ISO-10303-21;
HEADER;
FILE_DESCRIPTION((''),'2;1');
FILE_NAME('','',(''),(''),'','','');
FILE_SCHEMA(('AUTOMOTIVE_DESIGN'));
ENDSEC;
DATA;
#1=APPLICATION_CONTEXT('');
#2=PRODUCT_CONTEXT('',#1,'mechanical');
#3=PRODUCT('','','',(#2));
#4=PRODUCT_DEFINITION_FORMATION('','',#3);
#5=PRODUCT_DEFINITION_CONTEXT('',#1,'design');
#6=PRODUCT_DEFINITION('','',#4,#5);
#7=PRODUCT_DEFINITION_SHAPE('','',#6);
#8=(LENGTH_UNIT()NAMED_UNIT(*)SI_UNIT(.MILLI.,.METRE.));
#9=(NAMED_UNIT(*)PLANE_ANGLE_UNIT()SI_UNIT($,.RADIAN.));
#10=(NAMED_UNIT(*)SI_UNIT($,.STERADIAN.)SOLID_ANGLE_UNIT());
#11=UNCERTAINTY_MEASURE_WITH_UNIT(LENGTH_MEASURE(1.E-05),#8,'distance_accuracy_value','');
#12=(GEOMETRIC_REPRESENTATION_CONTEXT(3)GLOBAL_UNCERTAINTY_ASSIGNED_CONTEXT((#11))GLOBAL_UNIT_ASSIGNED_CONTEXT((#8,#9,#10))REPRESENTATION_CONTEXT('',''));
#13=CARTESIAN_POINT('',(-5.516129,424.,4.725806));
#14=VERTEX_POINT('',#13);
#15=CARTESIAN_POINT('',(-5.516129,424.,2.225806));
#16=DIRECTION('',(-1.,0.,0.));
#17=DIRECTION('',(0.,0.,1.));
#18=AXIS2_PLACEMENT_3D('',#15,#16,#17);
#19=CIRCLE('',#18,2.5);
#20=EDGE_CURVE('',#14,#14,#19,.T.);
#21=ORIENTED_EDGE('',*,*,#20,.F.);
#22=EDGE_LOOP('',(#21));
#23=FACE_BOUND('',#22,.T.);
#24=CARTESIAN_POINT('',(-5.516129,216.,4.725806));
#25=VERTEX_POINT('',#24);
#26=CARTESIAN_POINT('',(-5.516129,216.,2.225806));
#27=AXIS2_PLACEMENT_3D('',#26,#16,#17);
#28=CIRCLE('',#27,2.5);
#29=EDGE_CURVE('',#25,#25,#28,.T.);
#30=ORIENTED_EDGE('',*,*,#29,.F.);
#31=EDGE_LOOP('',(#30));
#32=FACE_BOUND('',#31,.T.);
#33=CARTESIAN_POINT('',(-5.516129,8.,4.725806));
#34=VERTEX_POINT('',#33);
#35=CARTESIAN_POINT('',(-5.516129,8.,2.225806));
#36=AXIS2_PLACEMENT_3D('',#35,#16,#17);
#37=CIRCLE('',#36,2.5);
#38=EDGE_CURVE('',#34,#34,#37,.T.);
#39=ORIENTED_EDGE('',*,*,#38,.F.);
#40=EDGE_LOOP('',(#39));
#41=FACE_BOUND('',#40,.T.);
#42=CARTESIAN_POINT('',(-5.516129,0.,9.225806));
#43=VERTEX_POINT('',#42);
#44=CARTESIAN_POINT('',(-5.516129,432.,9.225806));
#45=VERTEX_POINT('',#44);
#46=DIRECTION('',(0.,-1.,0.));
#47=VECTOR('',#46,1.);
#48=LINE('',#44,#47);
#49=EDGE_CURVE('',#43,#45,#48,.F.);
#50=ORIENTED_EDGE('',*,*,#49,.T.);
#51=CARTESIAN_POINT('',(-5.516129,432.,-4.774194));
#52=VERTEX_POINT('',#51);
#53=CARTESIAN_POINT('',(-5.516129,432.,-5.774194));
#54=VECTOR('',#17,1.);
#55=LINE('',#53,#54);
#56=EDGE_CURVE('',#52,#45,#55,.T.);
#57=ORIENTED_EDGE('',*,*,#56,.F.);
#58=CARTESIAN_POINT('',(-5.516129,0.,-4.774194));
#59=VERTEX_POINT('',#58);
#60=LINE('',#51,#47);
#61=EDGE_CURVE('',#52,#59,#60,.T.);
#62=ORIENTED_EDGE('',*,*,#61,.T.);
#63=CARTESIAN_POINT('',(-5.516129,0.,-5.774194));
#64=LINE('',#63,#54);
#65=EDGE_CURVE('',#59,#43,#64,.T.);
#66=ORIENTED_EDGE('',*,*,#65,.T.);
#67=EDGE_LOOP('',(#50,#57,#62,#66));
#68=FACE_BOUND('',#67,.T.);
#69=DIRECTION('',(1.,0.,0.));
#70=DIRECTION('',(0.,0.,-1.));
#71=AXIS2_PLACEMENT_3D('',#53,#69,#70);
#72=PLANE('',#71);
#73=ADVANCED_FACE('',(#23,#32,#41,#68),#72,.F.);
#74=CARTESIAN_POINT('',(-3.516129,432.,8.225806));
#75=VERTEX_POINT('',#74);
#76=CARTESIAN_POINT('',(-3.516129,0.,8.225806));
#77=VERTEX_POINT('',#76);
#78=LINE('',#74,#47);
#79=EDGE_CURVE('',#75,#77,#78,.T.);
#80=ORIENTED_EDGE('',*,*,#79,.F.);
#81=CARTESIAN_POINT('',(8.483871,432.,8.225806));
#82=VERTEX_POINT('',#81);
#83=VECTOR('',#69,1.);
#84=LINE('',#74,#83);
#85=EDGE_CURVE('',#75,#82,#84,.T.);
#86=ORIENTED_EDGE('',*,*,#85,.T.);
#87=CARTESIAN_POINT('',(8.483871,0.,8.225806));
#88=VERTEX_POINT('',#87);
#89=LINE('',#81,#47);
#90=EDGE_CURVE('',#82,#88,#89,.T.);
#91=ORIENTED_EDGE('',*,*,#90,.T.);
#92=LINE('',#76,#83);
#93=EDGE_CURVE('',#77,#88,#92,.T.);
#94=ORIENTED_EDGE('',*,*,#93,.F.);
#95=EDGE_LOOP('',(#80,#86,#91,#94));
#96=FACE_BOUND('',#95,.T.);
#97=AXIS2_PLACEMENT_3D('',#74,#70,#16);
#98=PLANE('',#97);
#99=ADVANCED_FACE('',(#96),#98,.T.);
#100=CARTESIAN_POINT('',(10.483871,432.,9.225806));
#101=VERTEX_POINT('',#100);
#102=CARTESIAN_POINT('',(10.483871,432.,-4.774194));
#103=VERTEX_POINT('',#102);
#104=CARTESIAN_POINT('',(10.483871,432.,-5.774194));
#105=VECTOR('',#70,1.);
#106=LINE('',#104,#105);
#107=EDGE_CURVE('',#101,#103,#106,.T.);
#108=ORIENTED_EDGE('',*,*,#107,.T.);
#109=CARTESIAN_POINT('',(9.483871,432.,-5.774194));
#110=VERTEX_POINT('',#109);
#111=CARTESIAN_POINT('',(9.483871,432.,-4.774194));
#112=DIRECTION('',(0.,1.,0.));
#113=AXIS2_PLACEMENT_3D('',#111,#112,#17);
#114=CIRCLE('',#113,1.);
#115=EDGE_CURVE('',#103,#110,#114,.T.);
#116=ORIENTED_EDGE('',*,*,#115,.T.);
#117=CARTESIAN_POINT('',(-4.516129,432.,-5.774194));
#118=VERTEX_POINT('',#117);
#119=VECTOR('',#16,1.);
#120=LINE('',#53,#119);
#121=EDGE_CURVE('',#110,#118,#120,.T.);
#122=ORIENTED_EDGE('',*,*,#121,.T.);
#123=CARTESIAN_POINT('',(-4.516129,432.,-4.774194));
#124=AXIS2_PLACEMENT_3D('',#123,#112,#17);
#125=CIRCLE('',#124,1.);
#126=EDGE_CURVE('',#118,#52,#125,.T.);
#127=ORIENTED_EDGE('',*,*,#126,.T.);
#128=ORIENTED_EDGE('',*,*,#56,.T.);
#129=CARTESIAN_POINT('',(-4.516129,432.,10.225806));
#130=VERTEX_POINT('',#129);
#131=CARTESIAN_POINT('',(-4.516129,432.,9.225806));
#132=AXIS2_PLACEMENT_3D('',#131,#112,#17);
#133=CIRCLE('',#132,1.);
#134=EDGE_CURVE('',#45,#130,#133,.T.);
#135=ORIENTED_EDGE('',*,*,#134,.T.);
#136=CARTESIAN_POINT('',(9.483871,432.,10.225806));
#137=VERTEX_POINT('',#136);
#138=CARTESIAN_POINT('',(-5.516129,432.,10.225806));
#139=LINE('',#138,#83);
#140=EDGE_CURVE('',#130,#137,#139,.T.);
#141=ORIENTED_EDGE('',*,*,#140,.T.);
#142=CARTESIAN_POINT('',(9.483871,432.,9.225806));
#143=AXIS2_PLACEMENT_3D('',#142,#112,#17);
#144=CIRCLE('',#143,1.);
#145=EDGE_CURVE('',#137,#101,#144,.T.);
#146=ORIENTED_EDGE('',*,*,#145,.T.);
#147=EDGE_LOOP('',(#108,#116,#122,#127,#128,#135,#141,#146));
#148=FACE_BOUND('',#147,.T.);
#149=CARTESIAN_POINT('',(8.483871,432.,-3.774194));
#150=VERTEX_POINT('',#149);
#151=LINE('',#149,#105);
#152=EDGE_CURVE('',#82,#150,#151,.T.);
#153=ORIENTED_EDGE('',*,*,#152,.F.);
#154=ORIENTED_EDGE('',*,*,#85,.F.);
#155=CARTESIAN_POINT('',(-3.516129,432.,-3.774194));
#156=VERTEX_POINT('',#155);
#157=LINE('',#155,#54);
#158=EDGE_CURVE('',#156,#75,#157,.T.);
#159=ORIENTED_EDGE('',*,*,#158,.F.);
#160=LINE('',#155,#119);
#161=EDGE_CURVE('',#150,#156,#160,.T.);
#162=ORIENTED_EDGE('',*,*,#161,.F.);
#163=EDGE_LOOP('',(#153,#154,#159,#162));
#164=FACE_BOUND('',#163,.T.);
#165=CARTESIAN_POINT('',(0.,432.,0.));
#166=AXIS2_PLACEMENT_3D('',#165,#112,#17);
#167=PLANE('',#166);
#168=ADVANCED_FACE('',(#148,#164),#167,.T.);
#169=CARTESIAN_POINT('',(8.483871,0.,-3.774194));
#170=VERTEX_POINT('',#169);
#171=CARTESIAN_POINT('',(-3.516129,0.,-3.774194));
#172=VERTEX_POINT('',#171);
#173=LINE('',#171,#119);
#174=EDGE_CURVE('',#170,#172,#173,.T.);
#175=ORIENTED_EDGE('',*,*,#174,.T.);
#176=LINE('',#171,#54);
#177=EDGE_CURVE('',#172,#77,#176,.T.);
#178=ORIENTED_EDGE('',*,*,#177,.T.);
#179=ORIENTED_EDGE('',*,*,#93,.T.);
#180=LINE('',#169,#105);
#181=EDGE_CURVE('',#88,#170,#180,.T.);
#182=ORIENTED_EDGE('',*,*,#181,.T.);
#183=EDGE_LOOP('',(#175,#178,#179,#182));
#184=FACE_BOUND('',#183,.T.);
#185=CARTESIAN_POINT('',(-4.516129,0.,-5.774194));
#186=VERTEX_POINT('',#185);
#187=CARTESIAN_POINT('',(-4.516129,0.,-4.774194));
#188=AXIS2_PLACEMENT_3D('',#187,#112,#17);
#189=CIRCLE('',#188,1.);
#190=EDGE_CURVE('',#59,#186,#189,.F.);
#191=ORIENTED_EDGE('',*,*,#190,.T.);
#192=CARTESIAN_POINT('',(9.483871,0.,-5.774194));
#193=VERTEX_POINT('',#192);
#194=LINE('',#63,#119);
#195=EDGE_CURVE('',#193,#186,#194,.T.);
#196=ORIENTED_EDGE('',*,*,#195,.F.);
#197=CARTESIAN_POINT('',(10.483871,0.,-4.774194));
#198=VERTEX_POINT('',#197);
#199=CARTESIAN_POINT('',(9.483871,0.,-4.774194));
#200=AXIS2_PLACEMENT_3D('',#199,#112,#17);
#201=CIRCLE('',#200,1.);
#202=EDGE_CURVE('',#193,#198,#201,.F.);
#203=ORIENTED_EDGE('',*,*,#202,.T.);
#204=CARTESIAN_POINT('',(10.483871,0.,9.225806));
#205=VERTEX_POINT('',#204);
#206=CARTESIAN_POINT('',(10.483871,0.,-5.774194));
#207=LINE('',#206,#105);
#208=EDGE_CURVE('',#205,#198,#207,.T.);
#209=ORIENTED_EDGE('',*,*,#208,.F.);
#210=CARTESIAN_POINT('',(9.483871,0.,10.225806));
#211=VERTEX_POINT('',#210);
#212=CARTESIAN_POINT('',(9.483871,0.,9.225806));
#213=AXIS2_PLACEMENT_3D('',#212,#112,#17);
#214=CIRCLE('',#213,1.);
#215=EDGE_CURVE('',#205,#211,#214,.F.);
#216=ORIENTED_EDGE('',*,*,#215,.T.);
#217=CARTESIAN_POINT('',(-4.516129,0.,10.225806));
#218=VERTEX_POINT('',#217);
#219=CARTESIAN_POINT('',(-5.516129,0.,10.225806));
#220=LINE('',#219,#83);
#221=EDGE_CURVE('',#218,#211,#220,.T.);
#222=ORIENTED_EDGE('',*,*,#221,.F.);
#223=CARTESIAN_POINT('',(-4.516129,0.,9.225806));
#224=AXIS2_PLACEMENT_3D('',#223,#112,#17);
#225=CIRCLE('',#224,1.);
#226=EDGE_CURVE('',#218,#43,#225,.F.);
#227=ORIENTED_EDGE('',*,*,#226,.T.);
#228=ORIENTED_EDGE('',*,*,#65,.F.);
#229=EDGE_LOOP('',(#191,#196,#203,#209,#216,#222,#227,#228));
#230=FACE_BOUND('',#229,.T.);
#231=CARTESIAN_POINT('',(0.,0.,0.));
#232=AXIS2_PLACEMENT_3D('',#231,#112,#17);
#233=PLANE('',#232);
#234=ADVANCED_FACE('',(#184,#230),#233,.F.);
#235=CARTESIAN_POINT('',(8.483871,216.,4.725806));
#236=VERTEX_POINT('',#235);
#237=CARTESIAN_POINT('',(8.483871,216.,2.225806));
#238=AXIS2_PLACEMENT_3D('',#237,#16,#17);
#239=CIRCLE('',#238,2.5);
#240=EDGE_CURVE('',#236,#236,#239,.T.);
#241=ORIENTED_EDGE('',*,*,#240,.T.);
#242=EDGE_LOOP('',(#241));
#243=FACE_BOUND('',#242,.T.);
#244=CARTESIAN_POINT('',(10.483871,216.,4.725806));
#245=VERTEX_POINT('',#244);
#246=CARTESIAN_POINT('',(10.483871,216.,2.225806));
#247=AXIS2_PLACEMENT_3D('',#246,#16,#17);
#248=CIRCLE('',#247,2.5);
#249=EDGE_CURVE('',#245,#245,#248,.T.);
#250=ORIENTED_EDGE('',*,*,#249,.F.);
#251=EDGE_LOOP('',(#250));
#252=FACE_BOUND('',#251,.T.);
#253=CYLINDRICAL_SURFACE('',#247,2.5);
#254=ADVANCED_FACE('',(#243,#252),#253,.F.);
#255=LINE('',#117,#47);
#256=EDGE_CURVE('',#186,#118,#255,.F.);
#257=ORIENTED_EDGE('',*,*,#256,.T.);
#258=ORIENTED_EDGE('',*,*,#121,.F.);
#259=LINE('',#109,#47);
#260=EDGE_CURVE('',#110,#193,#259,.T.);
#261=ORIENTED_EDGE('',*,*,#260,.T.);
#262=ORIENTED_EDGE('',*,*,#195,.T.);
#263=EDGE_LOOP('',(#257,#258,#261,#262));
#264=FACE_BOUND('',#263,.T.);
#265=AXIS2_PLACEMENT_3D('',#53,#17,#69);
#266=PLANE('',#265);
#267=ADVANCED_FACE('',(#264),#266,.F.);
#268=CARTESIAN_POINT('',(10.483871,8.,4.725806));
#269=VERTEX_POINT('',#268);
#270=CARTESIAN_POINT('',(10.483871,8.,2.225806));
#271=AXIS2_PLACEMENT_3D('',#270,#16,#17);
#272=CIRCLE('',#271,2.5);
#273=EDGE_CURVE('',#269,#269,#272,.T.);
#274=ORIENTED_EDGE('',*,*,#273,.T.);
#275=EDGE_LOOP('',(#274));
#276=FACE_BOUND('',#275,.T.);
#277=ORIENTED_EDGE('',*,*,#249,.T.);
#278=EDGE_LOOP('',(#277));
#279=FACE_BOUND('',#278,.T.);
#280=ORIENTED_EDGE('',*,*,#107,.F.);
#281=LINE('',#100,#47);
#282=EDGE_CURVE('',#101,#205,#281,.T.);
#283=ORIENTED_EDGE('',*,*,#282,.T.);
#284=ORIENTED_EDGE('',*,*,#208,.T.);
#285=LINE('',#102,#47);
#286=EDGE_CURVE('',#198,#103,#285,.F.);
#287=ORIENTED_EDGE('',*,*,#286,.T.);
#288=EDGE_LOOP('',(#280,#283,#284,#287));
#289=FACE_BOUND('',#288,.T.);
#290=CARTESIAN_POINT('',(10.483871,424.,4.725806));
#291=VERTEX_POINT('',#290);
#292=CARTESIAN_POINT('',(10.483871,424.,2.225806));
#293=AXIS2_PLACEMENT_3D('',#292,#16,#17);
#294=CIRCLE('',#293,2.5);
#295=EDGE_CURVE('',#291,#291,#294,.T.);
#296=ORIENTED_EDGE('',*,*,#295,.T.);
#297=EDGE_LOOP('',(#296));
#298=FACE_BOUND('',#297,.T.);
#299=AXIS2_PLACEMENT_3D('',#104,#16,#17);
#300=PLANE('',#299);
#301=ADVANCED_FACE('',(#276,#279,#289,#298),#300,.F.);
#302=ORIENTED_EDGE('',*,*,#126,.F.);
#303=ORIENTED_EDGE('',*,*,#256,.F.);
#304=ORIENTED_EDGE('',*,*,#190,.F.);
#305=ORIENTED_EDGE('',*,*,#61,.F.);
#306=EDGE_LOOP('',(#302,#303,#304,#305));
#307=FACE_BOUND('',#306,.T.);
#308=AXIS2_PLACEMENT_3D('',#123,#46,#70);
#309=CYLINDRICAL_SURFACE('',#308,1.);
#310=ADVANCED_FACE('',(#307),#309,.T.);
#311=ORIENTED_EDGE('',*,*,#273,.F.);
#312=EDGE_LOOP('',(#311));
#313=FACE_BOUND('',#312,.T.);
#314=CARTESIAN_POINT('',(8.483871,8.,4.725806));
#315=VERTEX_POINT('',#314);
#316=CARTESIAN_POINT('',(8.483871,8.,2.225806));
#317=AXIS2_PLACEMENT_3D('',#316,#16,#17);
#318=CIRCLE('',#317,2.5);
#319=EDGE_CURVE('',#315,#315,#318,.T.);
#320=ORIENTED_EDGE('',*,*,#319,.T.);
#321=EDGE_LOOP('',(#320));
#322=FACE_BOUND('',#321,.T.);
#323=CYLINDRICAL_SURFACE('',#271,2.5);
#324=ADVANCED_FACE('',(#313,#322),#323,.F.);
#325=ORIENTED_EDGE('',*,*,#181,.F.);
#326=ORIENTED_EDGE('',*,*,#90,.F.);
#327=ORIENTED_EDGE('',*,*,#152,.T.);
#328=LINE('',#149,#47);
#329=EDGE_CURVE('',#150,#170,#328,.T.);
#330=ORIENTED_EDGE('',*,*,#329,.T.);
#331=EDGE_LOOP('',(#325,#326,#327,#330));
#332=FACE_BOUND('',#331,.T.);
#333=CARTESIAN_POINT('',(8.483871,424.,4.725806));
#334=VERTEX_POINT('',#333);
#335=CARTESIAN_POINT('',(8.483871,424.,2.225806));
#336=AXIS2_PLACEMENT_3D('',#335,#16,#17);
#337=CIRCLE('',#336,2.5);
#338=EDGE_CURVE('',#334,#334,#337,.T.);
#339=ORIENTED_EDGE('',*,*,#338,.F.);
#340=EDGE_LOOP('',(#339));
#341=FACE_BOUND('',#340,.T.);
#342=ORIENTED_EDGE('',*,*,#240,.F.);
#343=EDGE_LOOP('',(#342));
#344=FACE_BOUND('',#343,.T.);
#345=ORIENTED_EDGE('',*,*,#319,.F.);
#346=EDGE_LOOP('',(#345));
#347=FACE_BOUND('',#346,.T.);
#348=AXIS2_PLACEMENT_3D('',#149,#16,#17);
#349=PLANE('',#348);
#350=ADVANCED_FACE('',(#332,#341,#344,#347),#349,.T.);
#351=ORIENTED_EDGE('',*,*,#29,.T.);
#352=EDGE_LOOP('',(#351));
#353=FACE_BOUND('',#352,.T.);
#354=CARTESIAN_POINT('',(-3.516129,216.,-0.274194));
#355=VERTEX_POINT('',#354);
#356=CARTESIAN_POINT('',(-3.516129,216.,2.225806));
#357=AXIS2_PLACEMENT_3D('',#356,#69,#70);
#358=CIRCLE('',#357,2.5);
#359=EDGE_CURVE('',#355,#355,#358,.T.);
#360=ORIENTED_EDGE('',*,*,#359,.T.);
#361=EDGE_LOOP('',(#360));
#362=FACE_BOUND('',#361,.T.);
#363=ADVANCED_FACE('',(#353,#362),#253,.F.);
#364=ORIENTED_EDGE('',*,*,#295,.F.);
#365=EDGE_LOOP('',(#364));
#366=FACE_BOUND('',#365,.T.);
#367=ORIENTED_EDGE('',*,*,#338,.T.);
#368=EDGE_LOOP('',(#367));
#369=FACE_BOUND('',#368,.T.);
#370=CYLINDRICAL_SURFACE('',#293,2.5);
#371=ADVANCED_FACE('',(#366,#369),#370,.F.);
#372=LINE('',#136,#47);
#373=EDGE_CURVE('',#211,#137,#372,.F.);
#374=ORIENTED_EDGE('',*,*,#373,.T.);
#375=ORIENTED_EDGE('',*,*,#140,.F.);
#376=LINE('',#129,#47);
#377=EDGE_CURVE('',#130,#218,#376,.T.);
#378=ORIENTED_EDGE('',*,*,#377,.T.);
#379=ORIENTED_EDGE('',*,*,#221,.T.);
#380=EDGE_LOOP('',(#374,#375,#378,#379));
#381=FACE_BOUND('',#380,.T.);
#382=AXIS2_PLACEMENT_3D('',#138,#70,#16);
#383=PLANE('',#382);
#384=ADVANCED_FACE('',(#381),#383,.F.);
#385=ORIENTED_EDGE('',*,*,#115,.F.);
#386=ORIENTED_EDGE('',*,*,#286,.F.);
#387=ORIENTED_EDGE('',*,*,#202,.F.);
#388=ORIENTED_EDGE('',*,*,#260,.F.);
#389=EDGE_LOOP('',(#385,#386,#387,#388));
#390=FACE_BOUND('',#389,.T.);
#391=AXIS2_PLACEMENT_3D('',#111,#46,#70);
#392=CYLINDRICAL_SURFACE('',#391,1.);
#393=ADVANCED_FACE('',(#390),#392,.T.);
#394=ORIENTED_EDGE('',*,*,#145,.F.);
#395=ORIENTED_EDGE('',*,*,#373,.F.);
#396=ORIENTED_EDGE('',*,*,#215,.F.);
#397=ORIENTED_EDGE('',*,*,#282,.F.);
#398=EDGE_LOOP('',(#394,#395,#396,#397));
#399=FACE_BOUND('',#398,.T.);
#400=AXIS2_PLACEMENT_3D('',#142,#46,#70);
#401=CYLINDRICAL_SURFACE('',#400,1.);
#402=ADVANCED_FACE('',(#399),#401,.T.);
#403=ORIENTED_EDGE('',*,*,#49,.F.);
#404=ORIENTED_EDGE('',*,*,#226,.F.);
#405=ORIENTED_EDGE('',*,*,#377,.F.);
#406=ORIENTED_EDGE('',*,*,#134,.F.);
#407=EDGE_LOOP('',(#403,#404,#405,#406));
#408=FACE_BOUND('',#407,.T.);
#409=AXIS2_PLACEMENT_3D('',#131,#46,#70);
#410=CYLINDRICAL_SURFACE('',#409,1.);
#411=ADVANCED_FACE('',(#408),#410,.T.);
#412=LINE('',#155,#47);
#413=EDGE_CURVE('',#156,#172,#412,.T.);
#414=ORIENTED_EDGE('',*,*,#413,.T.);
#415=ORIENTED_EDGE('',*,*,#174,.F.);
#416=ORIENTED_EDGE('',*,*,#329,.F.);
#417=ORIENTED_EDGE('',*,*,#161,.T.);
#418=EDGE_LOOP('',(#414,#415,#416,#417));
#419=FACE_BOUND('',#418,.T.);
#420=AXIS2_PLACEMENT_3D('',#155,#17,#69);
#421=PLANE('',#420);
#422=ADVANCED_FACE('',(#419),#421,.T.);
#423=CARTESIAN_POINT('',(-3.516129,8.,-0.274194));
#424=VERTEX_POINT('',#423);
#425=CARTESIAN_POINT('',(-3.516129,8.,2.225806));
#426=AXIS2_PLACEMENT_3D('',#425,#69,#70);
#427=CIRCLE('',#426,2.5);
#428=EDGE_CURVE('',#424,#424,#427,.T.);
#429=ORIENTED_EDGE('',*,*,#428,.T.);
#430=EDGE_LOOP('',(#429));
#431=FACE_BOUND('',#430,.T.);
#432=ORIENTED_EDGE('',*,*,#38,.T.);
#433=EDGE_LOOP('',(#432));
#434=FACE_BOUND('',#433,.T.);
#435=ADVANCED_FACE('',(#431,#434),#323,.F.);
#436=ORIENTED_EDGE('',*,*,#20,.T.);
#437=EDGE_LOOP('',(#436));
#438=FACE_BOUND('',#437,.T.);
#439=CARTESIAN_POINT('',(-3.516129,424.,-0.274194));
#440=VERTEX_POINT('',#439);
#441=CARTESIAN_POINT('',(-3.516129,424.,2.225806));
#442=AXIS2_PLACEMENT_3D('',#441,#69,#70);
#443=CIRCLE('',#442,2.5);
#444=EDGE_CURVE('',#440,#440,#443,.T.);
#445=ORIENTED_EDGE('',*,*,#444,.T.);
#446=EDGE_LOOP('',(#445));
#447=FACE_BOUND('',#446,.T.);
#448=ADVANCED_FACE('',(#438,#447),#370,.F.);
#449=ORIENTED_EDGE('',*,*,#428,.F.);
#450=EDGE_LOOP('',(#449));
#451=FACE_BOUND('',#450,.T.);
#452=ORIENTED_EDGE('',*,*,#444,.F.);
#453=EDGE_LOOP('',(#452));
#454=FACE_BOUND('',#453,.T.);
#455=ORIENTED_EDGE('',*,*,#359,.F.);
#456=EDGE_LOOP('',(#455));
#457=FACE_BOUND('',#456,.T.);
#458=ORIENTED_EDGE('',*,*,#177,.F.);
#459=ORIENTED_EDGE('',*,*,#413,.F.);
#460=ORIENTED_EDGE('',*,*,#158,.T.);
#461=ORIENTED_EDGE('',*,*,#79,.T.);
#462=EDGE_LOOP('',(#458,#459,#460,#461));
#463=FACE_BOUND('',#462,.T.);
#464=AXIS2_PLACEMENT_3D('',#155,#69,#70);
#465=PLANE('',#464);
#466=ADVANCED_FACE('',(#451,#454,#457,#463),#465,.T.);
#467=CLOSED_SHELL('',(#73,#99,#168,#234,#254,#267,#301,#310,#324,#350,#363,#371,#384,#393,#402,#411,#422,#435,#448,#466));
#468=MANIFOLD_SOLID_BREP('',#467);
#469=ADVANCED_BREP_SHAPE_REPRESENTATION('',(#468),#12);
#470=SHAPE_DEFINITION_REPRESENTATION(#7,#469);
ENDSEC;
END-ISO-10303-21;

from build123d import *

# Parameters (mm, degrees)
SKETCH1_W           = 16
SKETCH1_H           = 16
SKETCH1_W_2         = 12
SKETCH1_H_2         = 12
BOSS_EXTRUDE1_DEPTH = 432
FILLET1_R           = 1
SKETCH2_R           = 2.5
CUT_EXTRUDE1_DEPTH  = 16
SKETCH3_R           = 2.5
CUT_EXTRUDE2_DEPTH  = 16


with BuildPart() as part:
    # Sketch1 → Boss-Extrude1 (new body)
    with BuildSketch(Plane(origin=(0, 0, 0), x_dir=(1, 0, 0), z_dir=(0, 1, 0))):
        with Locations((2.483870968, -2.225806452)):
            Rectangle(SKETCH1_W, SKETCH1_H)
        with Locations((2.483870968, -2.225806452)):
            Rectangle(SKETCH1_W_2, SKETCH1_H_2, mode=Mode.SUBTRACT)
    extrude(amount=BOSS_EXTRUDE1_DEPTH)

    # Fillet1
    fillet1_edges = [part.edges().sort_by_distance(p)[0] for p in [
        (-5.516129032, 216, -5.774193548),
        (10.483870968, 216, -5.774193548),
        (10.483870968, 216, 10.225806452),
        (-5.516129032, 216, 10.225806452),
    ]]
    fillet(fillet1_edges, radius=FILLET1_R)

    # Sketch2 → Cut-Extrude1 (cut)
    with BuildSketch(Plane.ZY.offset(5.516129032)):
        with Locations((2.225806452, 424)):
            Circle(SKETCH2_R)
        with Locations((2.225806452, 8)):
            Circle(SKETCH2_R)
    extrude(amount=-CUT_EXTRUDE1_DEPTH, mode=Mode.SUBTRACT)

    # Sketch3 → Cut-Extrude2 (cut)
    with BuildSketch(Plane.ZY.offset(5.516129032)):
        with Locations((2.225806452, 216)):
            Circle(SKETCH3_R)
    extrude(amount=-CUT_EXTRUDE2_DEPTH, mode=Mode.SUBTRACT)


solid = part.part
